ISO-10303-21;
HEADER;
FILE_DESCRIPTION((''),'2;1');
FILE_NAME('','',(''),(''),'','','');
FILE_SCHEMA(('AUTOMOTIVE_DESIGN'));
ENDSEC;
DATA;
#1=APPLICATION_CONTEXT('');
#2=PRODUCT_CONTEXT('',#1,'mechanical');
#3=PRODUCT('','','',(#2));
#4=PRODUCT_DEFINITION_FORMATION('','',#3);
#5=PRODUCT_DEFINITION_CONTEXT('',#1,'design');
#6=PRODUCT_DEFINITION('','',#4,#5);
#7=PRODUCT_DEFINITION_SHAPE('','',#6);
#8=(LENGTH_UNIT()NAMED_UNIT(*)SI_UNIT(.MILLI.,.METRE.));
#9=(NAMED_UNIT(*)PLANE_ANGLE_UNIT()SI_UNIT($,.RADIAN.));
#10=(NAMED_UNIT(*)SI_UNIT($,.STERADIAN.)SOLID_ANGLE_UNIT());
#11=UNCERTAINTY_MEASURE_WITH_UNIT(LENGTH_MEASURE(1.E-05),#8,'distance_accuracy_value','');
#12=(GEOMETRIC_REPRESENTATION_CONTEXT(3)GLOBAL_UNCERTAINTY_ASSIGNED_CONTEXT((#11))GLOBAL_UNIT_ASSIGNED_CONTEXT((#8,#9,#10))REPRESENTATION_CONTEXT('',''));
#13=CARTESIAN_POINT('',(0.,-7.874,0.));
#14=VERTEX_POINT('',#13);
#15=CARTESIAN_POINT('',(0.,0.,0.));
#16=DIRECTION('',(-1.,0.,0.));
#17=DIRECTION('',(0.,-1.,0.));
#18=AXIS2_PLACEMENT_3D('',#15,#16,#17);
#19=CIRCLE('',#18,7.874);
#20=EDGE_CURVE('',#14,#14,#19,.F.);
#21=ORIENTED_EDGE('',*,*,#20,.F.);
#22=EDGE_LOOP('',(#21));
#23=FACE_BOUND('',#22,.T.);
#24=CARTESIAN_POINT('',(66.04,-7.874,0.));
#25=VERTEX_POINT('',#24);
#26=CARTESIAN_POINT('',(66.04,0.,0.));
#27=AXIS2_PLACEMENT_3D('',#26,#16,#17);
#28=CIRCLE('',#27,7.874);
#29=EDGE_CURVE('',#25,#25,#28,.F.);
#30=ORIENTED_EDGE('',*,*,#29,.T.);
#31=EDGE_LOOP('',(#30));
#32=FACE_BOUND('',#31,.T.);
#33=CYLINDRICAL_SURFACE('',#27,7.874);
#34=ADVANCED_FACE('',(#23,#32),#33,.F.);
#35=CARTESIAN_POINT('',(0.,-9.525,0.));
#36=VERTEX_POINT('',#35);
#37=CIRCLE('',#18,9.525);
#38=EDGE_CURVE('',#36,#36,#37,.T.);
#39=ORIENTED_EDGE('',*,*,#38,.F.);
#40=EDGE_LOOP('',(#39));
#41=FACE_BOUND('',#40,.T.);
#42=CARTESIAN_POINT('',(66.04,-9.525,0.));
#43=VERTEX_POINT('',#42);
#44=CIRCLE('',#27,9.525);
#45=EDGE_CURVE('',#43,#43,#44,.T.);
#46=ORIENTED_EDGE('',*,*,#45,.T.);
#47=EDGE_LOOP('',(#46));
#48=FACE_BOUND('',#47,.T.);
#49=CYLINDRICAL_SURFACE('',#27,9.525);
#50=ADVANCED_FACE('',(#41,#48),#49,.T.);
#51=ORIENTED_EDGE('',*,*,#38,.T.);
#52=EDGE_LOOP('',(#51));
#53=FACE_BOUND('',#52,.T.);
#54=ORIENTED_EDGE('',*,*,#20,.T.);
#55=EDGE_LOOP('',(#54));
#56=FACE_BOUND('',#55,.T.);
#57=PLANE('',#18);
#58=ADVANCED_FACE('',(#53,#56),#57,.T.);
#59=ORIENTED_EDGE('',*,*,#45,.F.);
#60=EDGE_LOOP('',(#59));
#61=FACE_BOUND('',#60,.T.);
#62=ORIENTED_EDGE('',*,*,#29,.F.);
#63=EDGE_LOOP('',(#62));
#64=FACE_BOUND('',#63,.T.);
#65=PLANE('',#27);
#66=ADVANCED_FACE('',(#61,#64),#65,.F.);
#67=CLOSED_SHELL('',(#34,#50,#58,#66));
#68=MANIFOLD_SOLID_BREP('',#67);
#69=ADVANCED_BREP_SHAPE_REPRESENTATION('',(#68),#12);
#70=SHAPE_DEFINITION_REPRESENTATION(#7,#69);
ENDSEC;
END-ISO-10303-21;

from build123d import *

# Parameters (mm, degrees)
SKETCH4_R   = 9.525
SKETCH4_R_2 = 7.874


with BuildPart() as part:
    # Sweep1: sweep along a path in Sketch3
    with BuildLine(Plane.XY) as sweep1_path:
        Line((66.04, 0), (0, 0))
    # Sketch4 → Sweep1 (sweep)
    with BuildSketch(Plane.ZY.offset(-66.04)):
        Circle(SKETCH4_R)
        Circle(SKETCH4_R_2, mode=Mode.SUBTRACT)
    sweep(path=sweep1_path.line)


solid = part.part
